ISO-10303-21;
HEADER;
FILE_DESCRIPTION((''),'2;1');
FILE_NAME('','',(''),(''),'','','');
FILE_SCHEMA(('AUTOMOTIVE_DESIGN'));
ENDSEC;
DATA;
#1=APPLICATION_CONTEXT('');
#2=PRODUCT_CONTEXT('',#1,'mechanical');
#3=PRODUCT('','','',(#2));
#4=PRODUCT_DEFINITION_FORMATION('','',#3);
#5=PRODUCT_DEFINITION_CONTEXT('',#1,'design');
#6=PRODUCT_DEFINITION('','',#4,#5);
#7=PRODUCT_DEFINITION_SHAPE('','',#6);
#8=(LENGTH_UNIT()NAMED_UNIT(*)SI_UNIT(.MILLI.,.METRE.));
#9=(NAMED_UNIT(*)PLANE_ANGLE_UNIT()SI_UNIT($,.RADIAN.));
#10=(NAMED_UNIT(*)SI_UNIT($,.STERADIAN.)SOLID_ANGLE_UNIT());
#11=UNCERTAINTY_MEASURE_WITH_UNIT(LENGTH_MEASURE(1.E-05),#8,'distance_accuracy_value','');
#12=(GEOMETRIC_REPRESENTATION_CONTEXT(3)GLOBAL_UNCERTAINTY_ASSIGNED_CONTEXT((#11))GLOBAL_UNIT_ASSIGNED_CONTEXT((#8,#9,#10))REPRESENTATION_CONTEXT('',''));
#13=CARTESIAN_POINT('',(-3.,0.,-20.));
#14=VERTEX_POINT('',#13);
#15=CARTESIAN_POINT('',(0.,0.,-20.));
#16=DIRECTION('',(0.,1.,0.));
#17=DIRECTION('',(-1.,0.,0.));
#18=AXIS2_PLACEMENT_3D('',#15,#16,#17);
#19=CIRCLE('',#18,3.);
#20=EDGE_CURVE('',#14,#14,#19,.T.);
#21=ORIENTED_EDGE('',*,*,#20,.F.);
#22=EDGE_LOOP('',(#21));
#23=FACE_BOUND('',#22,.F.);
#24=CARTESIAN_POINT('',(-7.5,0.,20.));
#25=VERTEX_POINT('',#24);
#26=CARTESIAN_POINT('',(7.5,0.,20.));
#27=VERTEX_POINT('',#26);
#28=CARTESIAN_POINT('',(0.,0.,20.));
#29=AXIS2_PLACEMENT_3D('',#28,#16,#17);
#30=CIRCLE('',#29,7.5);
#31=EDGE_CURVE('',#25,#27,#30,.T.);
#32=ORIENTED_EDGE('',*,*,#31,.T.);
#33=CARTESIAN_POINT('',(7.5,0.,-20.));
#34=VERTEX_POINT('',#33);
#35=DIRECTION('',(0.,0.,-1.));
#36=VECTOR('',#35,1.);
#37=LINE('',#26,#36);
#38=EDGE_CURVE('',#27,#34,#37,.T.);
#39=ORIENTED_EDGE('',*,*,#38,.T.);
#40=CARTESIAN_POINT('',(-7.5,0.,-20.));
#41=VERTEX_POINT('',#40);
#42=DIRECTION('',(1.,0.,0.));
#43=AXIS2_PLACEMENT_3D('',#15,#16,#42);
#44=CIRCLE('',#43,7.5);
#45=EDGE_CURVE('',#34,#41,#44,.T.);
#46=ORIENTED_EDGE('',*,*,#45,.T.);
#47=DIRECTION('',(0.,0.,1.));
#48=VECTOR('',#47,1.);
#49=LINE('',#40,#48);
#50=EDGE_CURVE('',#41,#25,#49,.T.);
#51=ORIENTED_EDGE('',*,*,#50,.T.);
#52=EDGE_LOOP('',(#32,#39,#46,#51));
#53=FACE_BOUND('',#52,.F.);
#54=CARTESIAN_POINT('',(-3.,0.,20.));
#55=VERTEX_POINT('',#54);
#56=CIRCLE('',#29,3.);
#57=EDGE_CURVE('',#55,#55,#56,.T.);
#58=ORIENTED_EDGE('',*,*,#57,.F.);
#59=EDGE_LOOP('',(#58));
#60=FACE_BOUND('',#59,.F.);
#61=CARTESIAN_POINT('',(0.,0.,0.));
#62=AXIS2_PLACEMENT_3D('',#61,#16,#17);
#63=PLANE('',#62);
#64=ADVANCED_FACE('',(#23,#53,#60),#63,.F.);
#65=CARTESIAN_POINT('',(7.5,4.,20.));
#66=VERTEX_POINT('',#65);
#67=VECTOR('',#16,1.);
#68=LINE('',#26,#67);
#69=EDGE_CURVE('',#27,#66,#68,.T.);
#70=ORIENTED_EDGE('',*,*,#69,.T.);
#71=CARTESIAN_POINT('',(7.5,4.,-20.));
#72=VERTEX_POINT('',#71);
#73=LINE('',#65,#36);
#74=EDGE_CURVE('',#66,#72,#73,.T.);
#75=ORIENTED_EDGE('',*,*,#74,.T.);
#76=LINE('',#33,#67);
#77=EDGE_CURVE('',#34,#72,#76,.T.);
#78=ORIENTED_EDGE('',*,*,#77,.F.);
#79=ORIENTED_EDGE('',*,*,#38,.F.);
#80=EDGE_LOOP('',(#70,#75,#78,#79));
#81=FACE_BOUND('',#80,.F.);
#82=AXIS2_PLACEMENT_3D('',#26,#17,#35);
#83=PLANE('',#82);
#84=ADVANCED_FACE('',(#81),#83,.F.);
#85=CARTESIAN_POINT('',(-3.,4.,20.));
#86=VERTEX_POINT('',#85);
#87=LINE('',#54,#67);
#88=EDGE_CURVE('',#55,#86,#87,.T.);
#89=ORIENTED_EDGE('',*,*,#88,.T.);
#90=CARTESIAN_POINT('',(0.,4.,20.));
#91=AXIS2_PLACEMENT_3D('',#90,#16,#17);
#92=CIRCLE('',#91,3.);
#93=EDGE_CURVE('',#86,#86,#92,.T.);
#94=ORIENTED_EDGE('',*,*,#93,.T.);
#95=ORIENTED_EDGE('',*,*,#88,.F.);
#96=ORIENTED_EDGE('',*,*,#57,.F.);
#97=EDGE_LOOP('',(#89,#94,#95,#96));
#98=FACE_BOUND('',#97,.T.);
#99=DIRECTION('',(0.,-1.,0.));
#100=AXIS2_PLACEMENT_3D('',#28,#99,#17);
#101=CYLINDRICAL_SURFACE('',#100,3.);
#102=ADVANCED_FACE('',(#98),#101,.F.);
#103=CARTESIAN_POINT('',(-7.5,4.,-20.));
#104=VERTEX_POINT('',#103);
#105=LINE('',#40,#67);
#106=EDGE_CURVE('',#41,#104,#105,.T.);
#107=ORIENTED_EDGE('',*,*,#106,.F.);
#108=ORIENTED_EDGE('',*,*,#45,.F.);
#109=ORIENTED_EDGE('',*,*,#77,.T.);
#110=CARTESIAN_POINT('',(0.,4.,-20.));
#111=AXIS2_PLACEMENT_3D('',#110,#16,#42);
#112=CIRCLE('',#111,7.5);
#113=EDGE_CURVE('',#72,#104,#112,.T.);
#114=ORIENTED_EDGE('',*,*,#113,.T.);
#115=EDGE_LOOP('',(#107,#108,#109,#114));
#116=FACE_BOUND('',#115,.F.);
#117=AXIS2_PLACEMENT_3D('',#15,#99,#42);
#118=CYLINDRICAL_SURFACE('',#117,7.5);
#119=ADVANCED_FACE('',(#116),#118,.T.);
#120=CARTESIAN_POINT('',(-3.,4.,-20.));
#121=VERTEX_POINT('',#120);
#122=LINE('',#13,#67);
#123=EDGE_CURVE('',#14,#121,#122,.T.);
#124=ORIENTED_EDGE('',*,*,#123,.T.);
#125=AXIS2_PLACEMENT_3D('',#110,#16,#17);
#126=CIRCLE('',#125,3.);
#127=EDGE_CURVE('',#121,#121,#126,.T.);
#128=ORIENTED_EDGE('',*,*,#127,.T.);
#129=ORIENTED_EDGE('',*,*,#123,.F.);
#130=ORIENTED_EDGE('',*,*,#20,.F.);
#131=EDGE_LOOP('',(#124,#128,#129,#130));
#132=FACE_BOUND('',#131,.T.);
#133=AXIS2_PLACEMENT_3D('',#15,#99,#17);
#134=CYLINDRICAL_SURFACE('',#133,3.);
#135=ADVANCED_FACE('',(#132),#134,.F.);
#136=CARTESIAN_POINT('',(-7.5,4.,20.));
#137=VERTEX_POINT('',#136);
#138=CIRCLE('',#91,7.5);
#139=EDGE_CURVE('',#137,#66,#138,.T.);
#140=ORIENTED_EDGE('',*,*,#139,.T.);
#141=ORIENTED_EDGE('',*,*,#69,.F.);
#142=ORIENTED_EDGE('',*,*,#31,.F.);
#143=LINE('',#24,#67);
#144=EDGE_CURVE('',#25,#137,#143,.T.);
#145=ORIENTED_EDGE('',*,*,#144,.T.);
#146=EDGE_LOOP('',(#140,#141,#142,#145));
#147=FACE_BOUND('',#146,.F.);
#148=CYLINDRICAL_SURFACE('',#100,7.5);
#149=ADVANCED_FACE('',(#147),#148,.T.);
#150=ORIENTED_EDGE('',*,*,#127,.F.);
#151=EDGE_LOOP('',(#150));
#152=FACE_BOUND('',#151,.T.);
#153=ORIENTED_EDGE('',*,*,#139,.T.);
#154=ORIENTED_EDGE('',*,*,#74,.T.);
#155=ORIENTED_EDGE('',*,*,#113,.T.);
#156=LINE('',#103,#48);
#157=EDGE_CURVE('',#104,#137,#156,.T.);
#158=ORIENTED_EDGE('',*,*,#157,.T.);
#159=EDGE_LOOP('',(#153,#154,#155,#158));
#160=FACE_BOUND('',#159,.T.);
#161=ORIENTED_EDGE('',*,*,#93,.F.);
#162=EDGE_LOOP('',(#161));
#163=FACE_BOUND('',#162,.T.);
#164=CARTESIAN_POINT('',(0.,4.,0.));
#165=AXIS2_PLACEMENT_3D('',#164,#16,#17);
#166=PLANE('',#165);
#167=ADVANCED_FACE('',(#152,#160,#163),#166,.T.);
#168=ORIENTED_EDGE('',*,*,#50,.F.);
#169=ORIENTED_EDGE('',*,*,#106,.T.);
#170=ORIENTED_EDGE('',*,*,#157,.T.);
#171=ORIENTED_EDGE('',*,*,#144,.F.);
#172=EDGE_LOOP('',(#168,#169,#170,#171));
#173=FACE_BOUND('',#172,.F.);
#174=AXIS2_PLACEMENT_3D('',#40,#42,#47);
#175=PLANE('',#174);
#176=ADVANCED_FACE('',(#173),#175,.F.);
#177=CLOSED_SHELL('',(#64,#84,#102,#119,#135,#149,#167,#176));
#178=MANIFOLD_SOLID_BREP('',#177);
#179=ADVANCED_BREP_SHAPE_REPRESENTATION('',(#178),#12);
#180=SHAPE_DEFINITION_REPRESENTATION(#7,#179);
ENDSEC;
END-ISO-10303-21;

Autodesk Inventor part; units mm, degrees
ref_plane "YZ Plane" through (0, 0, 0) normal (1, 0, 0) x (0, 1, 0)
ref_plane "XZ Plane" through (0, 0, 0) normal (0, 1, 0) x (-1, 0, 0)
ref_plane "XY Plane" through (0, 0, 0) normal (0, 0, 1) x (1, 0, 0)
sketch "Sketch1" plane through (0, 0, 0) normal (0, 1, 0) x (-1, 0, 0)
  line L0 (0, 20) -> (0, -20) construction
  line L1 (-7.5, 20) -> (-7.5, -20)
  line L2 (7.5, -20) -> (7.5, 20)
  arc A0 (7.5, 20) -> (-7.5, 20) centre (0, 20) ccw
  arc A1 (-7.5, -20) -> (7.5, -20) centre (0, -20) ccw
  line L3 (0, 0) -> (40, 0) construction
  circle A2 centre (0, -20) radius 3
  circle A3 centre (0, 20) radius 3
  dimension "d1" = 20
  dimension "d2" = 90
  dimension "d3" = 15
  dimension "d4" = 6
  dimension "d5" = 6
extrude "Extrusion1" add sketch "Sketch1" along normal blind 4
properties part number "Cable_Guide_Holder_Block"
